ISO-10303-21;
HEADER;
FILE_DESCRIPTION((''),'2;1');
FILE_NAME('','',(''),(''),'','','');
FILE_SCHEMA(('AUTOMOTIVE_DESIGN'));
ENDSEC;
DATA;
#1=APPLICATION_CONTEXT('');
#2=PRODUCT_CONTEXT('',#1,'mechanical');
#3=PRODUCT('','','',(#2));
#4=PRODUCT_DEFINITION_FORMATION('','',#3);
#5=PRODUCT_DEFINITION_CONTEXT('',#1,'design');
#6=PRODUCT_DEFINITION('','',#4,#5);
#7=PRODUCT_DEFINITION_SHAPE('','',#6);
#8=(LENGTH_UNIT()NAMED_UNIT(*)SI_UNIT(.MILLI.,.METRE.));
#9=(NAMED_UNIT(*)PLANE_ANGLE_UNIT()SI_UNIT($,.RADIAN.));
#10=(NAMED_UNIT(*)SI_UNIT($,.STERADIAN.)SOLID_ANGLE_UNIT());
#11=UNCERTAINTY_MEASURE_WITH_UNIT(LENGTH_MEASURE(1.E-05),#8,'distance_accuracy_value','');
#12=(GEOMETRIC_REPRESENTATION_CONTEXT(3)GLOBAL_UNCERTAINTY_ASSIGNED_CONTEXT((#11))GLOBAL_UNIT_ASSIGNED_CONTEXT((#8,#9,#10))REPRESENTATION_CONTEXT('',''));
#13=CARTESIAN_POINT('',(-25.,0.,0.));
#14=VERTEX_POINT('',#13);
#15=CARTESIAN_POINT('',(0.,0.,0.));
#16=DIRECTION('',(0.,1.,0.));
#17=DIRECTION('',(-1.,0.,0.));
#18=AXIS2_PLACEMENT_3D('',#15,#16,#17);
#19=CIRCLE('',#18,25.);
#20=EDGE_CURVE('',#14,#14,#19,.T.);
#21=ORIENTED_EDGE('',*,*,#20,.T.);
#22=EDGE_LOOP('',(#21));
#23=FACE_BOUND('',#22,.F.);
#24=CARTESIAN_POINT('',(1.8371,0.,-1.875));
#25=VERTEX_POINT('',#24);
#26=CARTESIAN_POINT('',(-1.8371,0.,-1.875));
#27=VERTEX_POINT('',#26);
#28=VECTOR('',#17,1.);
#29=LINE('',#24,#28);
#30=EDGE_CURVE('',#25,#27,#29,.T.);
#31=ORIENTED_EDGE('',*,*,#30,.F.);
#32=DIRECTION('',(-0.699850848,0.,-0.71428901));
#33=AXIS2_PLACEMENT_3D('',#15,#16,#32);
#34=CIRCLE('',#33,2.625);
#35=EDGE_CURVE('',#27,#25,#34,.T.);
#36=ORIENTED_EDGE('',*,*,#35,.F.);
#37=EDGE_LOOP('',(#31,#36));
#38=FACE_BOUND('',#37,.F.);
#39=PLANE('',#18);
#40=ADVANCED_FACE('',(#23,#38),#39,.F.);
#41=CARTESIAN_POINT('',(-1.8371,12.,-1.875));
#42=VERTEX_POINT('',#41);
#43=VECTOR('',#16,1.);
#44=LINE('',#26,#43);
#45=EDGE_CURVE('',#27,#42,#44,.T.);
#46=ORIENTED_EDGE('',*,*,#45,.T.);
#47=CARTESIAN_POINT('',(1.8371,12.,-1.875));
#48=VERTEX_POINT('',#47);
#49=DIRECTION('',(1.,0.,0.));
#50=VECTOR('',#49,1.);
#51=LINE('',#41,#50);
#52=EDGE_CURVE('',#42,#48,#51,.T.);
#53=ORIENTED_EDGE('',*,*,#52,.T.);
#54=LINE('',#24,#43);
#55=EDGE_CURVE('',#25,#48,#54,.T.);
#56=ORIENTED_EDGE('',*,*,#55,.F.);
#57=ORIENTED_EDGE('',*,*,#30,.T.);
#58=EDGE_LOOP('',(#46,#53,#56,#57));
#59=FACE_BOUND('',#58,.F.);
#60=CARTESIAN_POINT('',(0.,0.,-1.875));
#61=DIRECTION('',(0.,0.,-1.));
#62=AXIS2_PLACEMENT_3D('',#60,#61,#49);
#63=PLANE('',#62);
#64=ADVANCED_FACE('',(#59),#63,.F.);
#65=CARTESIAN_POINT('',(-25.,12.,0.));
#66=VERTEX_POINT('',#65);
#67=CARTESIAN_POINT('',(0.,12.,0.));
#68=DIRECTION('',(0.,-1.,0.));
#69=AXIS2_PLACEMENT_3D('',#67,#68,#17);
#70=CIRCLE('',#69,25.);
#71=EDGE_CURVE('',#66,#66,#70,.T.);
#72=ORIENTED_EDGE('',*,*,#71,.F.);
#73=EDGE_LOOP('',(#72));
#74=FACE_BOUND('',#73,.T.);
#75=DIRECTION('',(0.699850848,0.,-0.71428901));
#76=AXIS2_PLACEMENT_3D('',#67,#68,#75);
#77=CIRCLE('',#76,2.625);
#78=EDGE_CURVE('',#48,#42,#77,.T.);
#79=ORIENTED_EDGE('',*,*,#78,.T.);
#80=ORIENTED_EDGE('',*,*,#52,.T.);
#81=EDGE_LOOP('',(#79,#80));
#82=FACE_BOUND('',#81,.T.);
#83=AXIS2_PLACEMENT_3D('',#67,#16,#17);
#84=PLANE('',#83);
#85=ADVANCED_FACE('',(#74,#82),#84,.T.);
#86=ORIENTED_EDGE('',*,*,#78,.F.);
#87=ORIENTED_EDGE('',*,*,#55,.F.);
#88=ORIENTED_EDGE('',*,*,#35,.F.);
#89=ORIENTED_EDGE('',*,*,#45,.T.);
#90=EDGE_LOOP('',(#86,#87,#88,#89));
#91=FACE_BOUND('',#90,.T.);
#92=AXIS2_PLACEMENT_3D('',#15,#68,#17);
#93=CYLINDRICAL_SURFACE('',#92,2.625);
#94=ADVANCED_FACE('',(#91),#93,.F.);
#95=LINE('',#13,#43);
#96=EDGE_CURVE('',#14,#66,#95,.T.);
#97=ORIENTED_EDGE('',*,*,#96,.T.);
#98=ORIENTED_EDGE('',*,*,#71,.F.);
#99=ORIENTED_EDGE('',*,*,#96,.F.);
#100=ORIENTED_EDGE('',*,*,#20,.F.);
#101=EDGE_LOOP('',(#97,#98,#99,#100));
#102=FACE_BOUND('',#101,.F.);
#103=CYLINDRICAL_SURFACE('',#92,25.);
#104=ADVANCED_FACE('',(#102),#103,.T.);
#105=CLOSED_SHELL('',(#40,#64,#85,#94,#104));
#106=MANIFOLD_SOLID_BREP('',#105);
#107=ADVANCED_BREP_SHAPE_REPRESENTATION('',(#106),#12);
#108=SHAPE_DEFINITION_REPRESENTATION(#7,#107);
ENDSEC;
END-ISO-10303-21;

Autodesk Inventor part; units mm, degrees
ref_plane "YZ Plane" through (0, 0, 0) normal (1, 0, 0) x (0, 1, 0)
ref_plane "XZ Plane" through (0, 0, 0) normal (0, 1, 0) x (-1, 0, 0)
ref_plane "XY Plane" through (0, 0, 0) normal (0, 0, 1) x (1, 0, 0)
sketch "Sketch1" plane through (0, 0, 0) normal (0, 1, 0) x (-1, 0, 0)
  circle A0 centre (0, 0) radius 25
  circle A1 centre (0, 0) radius 2.625
  line L0 (0, 2.625) -> (0, -1.875)
  line L1 (0, -1.875) -> (1.8371, -1.875)
  line L2 (0, -1.875) -> (-1.8371, -1.875)
  line L3 (27.107, -3.5241) -> (24.4874, -5.0366)
  line L4 (27.0959, 3.6717) -> (24.4538, 5.1971)
  line L5 (27.0959, 3.6717) -> (27.107, -3.5241)
  line L6 (26.1969, 7.8059) -> (24.4189, 5.3588)
  line L7 (23.2599, 14.3752) -> (26.1969, 7.8059)
  line L8 (23.2599, 14.3752) -> (20.2258, 14.6941)
  line L9 (20.7571, 17.7863) -> (20.1282, 14.8276)
  line L10 (15.4021, 22.593) -> (20.7571, 17.7863)
  line L11 (15.4021, 22.593) -> (12.5006, 21.6503)
  line L12 (11.7282, 24.6913) -> (12.3571, 21.7325)
  line L13 (4.8811, 26.9044) -> (11.7282, 24.6913)
  line L14 (4.8811, 26.9044) -> (2.6139, 24.863)
  line L15 (0.6714, 27.3269) -> (2.4493, 24.8797)
  line L16 (-6.4839, 26.5637) -> (0.6714, 27.3269)
  line L17 (-6.4839, 26.5637) -> (-7.7248, 23.7766)
  line L18 (-10.5015, 25.2374) -> (-7.8819, 23.725)
  line L19 (-16.7277, 21.6299) -> (-10.5015, 25.2374)
  line L20 (-16.7277, 21.6299) -> (-16.7277, 18.5791)
  line L21 (-19.8586, 18.7842) -> (-16.8503, 18.468)
  line L22 (-24.0792, 12.9561) -> (-19.8586, 18.7842)
  line L23 (-24.0792, 12.9561) -> (-22.8383, 10.1691)
  line L24 (-25.7819, 9.083) -> (-22.9051, 10.0177)
  line L25 (-27.2672, 2.0421) -> (-25.7819, 9.083)
  line L26 (-27.2672, 2.0421) -> (-25, 0.0007)
  line L27 (-27.2473, -2.1887) -> (-24.9995, -0.1647)
  line L28 (-25.7404, -9.225) -> (-27.2473, -2.1887)
  line L29 (-25.7404, -9.225) -> (-22.8389, -10.1678)
  line L30 (-24.0015, -13.082) -> (-22.7711, -10.3187)
  line L31 (-19.7629, -18.897) -> (-24.0015, -13.082)
  line L32 (-19.7629, -18.897) -> (-16.7288, -18.5781)
  line L33 (-16.6055, -21.7133) -> (-16.6055, -18.6884)
  line L34 (-10.3682, -25.3016) -> (-16.6055, -21.7133)
  line L35 (-10.3682, -25.3016) -> (-7.7261, -23.7762)
  line L36 (-6.3383, -26.5901) -> (-7.5686, -23.8268)
  line L37 (0.8193, -27.3313) -> (-6.3383, -26.5901)
  line L38 (0.8193, -27.3313) -> (2.6125, -24.8631)
  line L39 (5.0249, -26.8693) -> (2.777, -24.8453)
  line L40 (11.8651, -24.6351) -> (5.0249, -26.8693)
  line L41 (11.8651, -24.6351) -> (12.4994, -21.651)
  line L42 (15.5192, -22.5025) -> (12.6424, -21.5678)
  line L43 (20.8593, -17.6793) -> (15.5192, -22.5025)
  line L44 (20.8593, -17.6793) -> (20.225, -14.6952)
  line L45 (23.3301, -14.2449) -> (20.3218, -14.5611)
  line L46 (26.2468, -7.6666) -> (23.3301, -14.2449)
  line L47 (26.2468, -7.6666) -> (24.4535, -5.1985)
  point P0 (20.2258, 14.6941)
  point P1 (24.4189, 5.3588)
  point P2 (12.5006, 21.6503)
  point P3 (20.1282, 14.8276)
  point P4 (2.6139, 24.863)
  point P5 (12.3571, 21.7325)
  point P6 (-7.7248, 23.7766)
  point P7 (2.4493, 24.8797)
  point P8 (-16.7277, 18.5791)
  point P9 (-7.8819, 23.725)
  point P10 (-22.8383, 10.1691)
  point P11 (-16.8503, 18.468)
  point P12 (-25, 0.0007)
  point P13 (-22.9051, 10.0177)
  point P14 (-22.8389, -10.1678)
  point P15 (-24.9995, -0.1647)
  point P16 (-16.7288, -18.5781)
  point P17 (-22.7711, -10.3187)
  point P18 (-7.7261, -23.7762)
  point P19 (-16.6055, -18.6884)
  point P20 (2.6125, -24.8631)
  point P21 (-7.5686, -23.8268)
  point P22 (12.4994, -21.651)
  point P23 (2.777, -24.8453)
  point P24 (20.225, -14.6952)
  point P25 (12.6424, -21.5678)
  point P26 (24.4535, -5.1985)
  point P27 (20.3218, -14.5611)
  dimension "d0" = 50
  dimension "d1" = 5.25
  dimension "d2" = 4.5
  dimension "d24" = 360
extrude "Extrusion2" add sketch "Sketch1" along normal blind 12 contours A0 | A1 L2 L1
properties part number "motor_gearMK2"
